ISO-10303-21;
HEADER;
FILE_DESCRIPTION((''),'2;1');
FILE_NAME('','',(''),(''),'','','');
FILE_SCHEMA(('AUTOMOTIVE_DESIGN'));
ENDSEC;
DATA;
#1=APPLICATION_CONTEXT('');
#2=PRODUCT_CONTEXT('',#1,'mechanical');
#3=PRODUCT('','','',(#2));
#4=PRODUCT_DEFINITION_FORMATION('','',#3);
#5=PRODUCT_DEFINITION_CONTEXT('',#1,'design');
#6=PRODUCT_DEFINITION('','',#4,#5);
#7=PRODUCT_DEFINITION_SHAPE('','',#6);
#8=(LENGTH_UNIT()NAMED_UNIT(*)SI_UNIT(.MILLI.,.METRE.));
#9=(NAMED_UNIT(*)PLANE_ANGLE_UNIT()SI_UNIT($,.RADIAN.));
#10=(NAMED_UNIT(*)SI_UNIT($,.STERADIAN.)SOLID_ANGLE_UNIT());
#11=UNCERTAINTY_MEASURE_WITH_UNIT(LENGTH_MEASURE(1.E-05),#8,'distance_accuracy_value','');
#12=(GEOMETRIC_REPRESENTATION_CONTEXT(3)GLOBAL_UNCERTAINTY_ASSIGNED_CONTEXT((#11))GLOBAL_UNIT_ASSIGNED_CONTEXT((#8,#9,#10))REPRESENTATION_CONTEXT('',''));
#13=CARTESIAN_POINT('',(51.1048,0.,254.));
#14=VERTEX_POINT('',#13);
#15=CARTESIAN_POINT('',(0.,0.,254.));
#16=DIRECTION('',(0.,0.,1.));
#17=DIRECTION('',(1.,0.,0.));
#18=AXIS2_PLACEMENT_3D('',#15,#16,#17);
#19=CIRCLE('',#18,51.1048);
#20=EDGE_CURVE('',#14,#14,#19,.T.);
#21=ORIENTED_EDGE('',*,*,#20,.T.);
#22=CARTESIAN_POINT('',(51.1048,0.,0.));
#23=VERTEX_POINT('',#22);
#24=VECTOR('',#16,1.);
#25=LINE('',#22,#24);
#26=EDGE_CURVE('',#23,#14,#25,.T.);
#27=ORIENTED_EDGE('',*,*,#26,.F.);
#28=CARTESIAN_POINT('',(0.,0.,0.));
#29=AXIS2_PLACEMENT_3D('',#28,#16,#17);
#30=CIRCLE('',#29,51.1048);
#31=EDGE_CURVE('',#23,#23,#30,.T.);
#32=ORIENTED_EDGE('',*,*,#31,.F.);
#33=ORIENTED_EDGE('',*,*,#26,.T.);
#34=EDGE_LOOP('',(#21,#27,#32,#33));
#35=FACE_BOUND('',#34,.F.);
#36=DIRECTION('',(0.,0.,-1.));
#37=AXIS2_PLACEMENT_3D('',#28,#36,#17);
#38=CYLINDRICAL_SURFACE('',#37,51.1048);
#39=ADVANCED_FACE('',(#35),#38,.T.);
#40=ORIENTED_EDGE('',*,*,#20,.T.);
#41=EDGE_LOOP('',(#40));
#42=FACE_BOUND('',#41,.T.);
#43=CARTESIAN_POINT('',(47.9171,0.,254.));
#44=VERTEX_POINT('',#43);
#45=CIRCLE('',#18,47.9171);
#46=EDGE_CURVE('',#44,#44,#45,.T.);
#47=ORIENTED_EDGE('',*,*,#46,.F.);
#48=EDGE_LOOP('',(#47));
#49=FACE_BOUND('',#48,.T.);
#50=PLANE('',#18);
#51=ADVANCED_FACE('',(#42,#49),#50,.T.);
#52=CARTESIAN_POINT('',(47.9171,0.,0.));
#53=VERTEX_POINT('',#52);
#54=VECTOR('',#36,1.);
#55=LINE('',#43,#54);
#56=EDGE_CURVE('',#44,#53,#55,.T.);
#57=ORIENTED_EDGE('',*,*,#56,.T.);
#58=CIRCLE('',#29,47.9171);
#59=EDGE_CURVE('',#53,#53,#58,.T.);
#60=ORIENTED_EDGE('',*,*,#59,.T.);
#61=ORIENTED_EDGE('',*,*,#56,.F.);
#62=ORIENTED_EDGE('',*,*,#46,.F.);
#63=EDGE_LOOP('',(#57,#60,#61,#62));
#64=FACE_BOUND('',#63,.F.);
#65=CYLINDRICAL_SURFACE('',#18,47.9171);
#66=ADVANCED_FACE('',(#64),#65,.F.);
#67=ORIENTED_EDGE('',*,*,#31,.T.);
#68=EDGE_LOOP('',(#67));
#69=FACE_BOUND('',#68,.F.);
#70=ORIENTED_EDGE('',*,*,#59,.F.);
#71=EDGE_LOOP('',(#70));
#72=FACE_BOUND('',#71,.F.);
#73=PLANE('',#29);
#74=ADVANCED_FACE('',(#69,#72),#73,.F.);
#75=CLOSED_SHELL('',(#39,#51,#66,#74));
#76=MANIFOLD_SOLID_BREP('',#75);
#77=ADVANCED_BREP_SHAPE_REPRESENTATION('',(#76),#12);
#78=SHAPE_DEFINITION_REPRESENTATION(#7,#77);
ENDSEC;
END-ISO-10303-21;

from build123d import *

# Parameters (mm, degrees)
SKETCH_R     = 51.1048
PAD_DEPTH    = 254
SKETCH001_R  = 47.9171
POCKET_DEPTH = 254.001


with BuildPart() as part:
    # Sketch → Pad (new body)
    with BuildSketch(Plane.XY):
        Circle(SKETCH_R)
    extrude(amount=PAD_DEPTH)

    # Sketch001 (on Face3 of Pad) → Pocket (cut, through all)
    with BuildSketch(Plane.XY.offset(254)):
        Circle(SKETCH001_R)
    extrude(amount=-POCKET_DEPTH, mode=Mode.SUBTRACT)


solid = part.part
